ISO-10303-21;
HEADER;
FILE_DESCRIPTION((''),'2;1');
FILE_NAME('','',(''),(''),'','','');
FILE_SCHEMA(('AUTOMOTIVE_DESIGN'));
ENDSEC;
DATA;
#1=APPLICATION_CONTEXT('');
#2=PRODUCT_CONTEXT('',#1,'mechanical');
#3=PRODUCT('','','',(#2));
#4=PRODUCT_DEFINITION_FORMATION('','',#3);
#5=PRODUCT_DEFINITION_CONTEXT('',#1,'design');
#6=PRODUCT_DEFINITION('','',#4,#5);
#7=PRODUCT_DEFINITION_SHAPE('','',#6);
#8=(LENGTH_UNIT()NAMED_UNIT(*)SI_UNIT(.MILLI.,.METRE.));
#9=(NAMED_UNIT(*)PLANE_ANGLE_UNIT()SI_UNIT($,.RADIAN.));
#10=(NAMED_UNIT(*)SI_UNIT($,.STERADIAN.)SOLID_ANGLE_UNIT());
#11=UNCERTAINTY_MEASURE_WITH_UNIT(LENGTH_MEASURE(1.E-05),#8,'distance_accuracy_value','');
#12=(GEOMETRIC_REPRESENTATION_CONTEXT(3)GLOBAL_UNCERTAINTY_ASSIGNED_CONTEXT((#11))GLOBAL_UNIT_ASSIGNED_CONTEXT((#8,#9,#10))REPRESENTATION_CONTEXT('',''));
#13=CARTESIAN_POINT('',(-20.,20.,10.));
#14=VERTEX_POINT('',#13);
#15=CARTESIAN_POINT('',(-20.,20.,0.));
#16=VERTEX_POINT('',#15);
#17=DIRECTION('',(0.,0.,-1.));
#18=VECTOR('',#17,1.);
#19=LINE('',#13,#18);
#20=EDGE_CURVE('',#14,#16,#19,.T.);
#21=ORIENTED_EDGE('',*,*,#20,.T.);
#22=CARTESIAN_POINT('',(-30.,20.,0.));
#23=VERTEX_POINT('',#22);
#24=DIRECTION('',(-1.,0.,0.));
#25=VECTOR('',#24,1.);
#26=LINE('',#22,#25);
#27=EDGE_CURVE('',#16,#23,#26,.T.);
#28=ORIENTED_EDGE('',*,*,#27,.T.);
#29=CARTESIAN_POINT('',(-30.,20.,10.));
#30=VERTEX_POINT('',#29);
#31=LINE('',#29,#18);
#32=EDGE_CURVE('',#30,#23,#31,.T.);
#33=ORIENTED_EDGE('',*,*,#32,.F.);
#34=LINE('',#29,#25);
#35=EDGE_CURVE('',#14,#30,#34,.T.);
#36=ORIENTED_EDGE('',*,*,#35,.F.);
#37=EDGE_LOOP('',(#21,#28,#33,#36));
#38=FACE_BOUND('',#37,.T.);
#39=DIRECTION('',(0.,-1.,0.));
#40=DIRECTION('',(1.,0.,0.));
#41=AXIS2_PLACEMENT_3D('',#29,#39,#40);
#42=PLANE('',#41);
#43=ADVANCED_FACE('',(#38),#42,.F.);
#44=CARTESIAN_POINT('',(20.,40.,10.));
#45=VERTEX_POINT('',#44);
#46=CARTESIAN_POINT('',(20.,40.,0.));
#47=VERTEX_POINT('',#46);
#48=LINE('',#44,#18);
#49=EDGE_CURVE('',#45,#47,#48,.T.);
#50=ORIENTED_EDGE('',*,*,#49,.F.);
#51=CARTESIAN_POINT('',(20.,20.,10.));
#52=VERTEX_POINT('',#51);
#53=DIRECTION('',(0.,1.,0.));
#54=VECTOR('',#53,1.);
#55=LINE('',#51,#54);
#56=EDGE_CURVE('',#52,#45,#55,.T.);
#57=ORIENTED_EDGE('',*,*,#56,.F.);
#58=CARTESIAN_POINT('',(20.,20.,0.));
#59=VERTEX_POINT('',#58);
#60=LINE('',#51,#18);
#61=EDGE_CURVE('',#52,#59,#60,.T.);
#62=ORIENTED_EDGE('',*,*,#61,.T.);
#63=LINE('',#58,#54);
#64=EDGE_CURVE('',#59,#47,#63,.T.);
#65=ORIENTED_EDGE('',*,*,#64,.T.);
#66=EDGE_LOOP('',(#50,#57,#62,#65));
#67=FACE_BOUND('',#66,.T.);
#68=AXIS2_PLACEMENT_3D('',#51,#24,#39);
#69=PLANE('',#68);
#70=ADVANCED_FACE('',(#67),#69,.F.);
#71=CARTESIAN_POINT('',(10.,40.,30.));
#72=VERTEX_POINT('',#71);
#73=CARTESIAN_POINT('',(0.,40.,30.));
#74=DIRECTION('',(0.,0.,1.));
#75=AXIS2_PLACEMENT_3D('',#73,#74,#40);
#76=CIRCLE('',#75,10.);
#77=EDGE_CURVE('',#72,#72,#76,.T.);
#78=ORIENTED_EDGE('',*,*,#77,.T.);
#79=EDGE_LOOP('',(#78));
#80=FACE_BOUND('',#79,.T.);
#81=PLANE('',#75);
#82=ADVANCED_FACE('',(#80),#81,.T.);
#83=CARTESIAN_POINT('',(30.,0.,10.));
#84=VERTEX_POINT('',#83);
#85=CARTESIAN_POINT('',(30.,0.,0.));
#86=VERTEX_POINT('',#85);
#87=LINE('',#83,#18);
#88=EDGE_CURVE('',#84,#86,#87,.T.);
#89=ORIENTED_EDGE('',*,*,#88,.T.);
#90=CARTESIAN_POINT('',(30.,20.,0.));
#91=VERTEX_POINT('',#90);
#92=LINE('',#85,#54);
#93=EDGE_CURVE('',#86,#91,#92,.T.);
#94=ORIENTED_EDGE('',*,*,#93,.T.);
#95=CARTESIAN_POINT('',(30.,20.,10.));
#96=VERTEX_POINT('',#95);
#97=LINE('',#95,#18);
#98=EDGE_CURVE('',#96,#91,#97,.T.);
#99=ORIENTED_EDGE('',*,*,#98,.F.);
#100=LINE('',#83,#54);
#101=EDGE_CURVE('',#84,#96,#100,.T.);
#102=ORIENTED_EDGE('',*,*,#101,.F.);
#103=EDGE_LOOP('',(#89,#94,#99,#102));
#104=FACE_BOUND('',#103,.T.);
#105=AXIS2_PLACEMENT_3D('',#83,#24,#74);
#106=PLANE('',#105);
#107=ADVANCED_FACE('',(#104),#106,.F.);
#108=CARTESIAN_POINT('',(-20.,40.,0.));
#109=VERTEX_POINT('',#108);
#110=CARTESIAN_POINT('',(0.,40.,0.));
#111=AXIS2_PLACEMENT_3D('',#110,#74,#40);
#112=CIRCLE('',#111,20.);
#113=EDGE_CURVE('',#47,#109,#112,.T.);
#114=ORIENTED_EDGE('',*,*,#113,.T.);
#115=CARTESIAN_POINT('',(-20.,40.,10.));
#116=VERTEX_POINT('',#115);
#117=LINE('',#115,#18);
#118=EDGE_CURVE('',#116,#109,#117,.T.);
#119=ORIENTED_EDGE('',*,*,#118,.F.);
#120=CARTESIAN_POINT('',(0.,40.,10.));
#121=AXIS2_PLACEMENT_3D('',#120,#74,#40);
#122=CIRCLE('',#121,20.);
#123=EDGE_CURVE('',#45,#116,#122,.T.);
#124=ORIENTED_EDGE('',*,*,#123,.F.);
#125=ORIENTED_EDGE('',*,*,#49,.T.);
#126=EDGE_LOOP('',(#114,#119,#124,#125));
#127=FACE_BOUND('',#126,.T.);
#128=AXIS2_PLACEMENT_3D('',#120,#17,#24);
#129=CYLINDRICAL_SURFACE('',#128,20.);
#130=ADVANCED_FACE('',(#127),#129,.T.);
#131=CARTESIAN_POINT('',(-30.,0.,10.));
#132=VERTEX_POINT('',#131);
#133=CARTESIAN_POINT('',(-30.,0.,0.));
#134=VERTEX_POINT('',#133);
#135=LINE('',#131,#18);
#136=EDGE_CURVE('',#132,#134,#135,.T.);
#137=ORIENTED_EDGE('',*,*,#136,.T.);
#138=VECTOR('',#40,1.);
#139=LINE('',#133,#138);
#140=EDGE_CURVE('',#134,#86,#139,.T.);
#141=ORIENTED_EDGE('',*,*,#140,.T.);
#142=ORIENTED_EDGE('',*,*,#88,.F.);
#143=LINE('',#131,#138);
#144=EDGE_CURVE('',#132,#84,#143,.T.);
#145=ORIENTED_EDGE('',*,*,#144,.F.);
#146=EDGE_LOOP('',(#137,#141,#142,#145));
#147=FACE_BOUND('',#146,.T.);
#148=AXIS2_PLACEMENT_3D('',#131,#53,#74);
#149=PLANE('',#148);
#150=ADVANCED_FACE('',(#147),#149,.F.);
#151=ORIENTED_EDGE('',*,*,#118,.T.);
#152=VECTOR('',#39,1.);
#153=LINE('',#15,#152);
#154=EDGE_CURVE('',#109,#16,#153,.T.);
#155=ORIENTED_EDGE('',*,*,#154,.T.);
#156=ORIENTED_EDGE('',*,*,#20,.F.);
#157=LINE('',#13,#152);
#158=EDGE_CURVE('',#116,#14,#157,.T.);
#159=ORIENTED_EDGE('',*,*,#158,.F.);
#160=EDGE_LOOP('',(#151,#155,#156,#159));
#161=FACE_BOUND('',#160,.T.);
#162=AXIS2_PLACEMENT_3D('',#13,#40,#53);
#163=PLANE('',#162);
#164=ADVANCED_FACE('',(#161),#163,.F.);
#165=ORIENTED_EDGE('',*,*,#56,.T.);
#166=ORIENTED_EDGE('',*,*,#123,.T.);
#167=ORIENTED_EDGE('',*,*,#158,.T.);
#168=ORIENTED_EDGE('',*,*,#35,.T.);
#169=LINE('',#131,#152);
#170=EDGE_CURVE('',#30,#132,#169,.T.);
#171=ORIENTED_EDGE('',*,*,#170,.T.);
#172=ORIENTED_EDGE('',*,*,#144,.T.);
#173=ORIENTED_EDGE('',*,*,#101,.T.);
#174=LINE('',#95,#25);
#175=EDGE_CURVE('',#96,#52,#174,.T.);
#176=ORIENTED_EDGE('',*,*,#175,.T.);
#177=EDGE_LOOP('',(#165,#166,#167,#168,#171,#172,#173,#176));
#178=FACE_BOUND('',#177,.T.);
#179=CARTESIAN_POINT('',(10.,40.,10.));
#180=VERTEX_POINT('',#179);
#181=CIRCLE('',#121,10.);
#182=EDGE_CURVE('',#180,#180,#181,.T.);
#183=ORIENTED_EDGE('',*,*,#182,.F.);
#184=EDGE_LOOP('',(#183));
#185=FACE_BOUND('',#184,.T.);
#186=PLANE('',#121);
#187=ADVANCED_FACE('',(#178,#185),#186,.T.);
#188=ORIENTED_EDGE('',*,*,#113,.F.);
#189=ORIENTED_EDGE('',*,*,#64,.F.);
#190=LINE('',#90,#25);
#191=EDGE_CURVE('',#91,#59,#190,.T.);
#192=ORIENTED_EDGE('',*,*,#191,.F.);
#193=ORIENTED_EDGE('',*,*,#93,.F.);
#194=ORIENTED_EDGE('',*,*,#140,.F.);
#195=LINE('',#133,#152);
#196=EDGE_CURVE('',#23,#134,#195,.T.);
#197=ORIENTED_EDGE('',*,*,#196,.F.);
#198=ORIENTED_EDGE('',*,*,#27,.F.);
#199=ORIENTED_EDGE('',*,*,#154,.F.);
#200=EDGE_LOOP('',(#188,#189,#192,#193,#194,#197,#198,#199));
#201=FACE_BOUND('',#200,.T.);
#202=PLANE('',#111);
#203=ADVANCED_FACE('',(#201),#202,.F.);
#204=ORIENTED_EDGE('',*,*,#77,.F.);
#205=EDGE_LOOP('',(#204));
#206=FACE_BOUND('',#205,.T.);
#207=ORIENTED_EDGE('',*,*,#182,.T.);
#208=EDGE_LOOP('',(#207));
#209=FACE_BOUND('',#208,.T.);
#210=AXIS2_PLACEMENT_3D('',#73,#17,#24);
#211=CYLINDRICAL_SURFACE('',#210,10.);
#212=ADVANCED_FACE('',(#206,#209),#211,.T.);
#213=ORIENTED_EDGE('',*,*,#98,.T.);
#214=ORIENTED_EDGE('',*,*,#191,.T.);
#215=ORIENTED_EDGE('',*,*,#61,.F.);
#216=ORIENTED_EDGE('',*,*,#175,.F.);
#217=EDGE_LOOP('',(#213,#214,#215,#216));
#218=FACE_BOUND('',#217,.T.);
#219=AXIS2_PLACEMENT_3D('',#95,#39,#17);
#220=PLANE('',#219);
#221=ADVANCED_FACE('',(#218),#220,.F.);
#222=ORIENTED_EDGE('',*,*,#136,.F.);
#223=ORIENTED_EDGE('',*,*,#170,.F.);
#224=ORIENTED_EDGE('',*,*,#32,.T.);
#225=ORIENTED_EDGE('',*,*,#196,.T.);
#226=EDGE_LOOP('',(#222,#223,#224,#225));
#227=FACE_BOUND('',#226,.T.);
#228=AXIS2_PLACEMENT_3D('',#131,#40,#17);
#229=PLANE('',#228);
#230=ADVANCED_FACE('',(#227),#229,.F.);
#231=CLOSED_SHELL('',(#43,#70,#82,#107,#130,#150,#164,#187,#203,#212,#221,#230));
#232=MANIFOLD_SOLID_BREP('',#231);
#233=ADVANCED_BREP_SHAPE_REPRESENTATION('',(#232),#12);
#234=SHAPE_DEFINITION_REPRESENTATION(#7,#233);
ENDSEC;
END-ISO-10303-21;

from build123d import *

# Parameters (mm, degrees)
BOSS_EXTRU_1_DEPTH = 10
ESQUISSE2_R        = 10
BOSS_EXTRU_2_DEPTH = 20


with BuildPart() as part:
    # Esquisse1 → Boss.-Extru.1 (new body)
    with BuildSketch(Plane.XY):
        with BuildLine():
            Line((-30, 0), (30, 0))
            Line((30, 0), (30, 20))
            Line((30, 20), (20, 20))
            Line((20, 20), (20, 40))
            ThreePointArc((20, 40), (0, 60), (-20, 40))
            Line((-20, 40), (-20, 20))
            Line((-20, 20), (-30, 20))
            Line((-30, 20), (-30, 0))
        make_face()
    extrude(amount=BOSS_EXTRU_1_DEPTH)

    # Esquisse2 → Boss.-Extru.2 (add)
    with BuildSketch(Plane.XY.offset(10)):
        with Locations((0, 40)):
            Circle(ESQUISSE2_R)
    extrude(amount=BOSS_EXTRU_2_DEPTH)


solid = part.part
